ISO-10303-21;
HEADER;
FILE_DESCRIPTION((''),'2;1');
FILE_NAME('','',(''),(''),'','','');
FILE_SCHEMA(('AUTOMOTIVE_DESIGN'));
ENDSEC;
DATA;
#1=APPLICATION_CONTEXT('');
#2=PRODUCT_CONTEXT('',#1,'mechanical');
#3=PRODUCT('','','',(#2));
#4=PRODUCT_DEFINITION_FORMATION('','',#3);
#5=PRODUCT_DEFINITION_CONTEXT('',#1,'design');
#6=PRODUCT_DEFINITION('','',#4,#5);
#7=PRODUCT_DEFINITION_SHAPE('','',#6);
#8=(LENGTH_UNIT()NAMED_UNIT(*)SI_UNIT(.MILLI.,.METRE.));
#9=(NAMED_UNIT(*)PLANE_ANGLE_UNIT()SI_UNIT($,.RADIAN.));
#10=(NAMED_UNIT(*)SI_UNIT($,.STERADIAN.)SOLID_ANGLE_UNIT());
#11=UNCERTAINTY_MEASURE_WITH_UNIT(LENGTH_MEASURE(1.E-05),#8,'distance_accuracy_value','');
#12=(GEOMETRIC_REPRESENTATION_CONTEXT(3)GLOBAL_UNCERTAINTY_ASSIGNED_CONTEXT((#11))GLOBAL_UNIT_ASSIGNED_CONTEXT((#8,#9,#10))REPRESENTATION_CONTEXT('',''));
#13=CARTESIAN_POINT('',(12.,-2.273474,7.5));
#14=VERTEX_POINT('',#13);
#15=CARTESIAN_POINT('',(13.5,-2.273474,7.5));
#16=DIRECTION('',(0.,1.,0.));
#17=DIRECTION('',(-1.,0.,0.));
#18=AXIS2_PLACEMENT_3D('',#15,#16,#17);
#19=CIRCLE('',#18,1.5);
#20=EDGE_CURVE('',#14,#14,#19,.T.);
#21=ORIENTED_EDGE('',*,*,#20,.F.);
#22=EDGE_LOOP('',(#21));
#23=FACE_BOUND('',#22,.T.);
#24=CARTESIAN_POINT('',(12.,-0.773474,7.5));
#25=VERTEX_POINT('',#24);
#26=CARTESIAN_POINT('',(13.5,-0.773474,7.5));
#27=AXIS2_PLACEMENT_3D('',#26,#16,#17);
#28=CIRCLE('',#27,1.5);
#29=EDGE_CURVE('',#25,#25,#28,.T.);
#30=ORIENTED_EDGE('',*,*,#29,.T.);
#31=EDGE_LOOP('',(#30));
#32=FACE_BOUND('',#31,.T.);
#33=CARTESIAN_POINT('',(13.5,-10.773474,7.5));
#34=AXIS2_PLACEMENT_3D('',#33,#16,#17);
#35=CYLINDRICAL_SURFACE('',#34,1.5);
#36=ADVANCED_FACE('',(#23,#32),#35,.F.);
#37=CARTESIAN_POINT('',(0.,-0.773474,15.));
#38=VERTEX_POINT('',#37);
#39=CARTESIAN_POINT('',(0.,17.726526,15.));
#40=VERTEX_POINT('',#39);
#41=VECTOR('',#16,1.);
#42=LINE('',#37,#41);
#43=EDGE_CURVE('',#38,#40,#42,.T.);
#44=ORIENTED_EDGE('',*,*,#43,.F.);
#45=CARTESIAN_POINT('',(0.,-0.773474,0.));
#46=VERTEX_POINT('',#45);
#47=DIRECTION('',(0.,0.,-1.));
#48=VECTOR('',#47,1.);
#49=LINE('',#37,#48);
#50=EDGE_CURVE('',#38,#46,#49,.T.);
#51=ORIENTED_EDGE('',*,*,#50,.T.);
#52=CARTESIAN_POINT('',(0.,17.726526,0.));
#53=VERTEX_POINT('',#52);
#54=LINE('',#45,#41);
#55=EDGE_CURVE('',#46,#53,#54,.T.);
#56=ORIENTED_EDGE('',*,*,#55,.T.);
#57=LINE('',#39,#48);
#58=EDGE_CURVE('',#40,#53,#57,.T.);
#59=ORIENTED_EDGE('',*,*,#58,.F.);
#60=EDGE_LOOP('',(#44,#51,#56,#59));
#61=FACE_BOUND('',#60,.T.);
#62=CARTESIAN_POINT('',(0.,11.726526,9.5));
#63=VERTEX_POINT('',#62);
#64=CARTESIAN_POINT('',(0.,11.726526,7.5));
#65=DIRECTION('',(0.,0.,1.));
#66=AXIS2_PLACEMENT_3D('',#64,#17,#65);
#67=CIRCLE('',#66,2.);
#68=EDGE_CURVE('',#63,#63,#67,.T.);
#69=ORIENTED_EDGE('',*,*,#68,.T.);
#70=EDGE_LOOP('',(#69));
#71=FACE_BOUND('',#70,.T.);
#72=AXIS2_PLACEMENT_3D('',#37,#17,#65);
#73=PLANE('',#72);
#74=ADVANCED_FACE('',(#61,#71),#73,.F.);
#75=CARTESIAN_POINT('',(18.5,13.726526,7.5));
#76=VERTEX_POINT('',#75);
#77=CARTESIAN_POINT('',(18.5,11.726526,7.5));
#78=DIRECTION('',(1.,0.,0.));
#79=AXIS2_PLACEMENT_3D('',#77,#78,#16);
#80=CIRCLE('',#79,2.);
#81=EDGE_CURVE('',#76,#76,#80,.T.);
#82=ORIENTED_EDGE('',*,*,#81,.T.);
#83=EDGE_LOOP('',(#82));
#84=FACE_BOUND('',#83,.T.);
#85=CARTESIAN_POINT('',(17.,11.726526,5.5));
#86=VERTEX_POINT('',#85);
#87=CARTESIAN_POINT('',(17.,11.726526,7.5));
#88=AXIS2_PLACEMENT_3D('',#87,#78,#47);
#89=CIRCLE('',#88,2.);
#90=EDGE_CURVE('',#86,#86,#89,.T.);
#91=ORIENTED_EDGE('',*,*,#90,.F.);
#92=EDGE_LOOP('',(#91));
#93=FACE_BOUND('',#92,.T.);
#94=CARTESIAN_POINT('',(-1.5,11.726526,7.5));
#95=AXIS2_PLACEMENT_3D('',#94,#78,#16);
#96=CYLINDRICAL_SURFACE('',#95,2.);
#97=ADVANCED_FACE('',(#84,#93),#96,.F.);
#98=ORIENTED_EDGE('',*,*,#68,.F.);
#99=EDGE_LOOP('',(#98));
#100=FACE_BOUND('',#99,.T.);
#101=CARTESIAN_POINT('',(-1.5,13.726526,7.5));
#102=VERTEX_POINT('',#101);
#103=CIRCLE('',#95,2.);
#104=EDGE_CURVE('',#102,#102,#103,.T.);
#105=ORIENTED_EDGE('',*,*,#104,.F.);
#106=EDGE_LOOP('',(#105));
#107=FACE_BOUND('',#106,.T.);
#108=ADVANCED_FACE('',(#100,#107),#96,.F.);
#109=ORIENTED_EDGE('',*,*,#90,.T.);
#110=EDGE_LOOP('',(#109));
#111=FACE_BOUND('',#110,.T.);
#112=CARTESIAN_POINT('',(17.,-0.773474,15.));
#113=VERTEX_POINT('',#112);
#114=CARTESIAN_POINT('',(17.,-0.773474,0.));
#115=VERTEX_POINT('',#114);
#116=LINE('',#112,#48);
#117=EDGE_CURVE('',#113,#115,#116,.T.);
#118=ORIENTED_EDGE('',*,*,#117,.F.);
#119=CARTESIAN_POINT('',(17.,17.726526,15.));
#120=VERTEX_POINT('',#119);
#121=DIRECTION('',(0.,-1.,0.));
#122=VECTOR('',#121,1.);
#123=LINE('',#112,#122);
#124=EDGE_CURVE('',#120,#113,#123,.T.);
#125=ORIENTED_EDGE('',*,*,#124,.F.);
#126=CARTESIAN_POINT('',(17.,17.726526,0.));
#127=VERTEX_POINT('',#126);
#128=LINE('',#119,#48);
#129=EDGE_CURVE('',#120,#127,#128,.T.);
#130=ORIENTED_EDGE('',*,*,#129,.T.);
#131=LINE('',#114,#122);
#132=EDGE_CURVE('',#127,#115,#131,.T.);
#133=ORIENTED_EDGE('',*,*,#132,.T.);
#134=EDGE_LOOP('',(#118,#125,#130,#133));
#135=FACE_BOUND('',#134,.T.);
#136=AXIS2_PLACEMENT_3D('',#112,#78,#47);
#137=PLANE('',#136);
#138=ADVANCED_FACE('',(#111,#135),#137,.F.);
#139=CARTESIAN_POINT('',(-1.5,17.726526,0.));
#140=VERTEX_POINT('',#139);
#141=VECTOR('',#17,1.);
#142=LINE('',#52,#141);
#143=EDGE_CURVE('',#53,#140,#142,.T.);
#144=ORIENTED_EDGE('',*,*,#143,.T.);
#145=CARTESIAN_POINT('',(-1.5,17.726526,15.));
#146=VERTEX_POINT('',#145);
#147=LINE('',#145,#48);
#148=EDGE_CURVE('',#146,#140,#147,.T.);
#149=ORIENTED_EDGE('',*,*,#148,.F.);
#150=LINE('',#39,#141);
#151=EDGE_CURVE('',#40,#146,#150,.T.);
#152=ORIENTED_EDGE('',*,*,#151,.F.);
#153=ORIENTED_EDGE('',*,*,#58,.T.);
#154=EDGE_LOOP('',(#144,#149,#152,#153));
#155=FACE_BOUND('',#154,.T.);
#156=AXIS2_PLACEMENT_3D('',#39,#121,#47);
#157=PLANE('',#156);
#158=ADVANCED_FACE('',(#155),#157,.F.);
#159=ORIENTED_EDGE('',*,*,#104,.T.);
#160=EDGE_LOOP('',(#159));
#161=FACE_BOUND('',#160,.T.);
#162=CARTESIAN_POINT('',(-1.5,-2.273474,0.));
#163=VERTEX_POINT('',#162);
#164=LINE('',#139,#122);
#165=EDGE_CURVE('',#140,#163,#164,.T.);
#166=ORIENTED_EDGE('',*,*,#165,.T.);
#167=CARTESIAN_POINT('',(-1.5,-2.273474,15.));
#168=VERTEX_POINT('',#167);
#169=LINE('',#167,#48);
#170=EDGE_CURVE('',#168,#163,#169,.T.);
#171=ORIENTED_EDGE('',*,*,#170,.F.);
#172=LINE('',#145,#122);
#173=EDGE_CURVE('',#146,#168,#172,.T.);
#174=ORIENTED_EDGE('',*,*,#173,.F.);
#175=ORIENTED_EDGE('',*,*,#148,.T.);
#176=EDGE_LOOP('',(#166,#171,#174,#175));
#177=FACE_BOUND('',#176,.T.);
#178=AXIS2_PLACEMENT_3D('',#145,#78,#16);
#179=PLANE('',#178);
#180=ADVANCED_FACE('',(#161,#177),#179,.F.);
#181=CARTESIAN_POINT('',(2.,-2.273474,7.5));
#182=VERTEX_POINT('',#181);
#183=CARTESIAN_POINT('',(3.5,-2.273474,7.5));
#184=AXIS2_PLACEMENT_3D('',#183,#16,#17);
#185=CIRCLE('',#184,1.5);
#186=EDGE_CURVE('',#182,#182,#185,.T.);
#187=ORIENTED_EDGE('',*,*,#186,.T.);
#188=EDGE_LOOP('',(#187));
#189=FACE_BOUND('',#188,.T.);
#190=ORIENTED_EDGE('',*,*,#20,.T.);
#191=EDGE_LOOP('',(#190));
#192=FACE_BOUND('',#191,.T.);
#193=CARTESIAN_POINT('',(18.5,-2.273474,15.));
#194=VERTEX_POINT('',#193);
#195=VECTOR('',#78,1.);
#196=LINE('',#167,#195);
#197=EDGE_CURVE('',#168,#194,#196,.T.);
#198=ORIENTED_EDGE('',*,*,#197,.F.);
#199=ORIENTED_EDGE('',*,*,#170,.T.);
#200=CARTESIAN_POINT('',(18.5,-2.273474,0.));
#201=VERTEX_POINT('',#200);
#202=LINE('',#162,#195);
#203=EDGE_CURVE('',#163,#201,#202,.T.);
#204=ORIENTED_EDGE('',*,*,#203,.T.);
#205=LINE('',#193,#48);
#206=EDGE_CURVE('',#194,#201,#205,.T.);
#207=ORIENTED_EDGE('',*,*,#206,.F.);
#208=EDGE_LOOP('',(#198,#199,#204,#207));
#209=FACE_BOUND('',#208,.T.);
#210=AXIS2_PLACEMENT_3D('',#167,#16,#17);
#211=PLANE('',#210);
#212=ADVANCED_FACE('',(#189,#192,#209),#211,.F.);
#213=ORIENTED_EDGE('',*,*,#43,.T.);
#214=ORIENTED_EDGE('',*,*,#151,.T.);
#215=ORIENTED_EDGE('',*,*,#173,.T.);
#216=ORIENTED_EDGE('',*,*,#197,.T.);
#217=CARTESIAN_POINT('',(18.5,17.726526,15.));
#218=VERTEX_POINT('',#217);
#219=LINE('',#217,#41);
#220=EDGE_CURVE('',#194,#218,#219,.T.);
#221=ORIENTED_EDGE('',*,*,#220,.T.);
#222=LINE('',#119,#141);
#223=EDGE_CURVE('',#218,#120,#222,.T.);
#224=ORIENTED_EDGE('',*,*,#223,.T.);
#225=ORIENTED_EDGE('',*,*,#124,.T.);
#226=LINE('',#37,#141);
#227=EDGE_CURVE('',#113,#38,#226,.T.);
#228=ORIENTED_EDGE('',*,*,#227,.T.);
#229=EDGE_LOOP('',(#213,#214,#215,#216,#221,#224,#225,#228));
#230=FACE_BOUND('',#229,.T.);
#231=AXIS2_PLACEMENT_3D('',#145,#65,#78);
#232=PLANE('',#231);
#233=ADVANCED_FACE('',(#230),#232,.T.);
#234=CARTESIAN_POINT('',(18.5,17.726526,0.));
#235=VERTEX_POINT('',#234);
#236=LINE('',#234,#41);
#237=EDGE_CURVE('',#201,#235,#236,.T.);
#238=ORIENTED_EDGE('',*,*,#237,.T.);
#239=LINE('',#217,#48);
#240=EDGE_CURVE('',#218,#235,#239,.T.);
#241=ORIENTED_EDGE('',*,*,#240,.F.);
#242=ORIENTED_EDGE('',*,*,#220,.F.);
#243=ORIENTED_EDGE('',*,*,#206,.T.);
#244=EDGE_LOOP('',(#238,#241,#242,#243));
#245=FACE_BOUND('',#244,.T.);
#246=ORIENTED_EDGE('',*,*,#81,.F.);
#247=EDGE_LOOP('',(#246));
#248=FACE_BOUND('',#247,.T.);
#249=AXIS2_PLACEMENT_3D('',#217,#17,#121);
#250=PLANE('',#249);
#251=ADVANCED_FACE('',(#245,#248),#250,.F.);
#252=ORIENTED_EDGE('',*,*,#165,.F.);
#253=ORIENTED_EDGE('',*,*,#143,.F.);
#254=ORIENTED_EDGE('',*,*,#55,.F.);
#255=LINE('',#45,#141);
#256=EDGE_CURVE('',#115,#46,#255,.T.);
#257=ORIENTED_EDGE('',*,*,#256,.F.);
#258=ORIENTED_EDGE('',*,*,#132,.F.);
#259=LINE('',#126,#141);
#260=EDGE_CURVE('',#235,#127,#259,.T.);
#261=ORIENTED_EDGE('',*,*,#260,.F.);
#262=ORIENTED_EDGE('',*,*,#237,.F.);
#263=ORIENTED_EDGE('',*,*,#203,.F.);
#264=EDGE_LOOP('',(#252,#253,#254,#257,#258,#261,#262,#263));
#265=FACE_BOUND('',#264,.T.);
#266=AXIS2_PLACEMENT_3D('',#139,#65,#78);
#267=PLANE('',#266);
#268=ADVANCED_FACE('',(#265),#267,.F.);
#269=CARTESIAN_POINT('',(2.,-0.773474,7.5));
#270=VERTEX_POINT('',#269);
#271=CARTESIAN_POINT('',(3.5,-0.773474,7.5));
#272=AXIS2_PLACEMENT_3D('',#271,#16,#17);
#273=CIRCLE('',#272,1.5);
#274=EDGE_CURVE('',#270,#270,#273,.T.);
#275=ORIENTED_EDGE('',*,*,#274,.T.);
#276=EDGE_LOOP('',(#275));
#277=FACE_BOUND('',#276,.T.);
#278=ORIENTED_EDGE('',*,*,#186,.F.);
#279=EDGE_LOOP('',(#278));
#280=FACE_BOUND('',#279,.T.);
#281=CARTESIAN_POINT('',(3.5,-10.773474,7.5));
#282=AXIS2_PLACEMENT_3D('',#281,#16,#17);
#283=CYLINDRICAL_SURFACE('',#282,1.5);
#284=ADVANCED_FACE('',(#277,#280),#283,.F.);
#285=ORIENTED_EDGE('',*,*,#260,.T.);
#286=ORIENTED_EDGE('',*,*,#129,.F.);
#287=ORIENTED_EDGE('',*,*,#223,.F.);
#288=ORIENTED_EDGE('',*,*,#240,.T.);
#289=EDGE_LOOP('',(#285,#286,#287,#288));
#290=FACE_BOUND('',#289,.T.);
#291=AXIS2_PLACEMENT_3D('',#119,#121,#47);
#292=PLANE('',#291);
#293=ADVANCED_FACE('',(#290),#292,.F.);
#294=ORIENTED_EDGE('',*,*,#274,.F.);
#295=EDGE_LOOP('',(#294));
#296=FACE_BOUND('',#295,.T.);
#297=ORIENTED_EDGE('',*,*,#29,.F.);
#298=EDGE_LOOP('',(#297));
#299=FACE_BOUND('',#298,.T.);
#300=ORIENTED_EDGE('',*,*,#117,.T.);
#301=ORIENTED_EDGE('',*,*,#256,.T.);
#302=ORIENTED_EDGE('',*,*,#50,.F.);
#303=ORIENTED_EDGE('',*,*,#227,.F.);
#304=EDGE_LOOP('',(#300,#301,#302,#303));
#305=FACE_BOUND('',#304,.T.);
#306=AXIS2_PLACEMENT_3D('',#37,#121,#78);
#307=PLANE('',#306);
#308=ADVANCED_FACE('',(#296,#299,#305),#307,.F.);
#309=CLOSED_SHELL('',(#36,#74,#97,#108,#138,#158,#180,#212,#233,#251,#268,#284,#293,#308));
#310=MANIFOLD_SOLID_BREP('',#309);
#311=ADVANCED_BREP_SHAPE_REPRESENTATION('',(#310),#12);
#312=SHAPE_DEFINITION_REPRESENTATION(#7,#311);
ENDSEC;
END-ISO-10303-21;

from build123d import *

# Parameters (mm, degrees)
EXTRUSION1_DEPTH = 15
ESQUISSE3_R      = 2
EXTRUSION3_DEPTH = 31.646855226
ESQUISSE4_R      = 1.5
EXTRUSION4_DEPTH = 10


with BuildPart() as part:
    # Esquisse1 → Extrusion1 (new body)
    with BuildSketch(Plane.XY):
        Polygon((-1.5, 17.726526316), (-1.5, -2.273473684), (18.5, -2.273473684), (18.5, 17.726526316), (17, 17.726526316), (17, -0.773473684), (0, -0.773473684), (0, 17.726526316), align=None)
    extrude(amount=EXTRUSION1_DEPTH)

    # Esquisse3 → Extrusion3 (cut, through all)
    with BuildSketch(Plane(origin=(18.5, 0, 0), x_dir=(0, 0, -1), z_dir=(1, 0, 0))):
        with Locations(Location((-7.5, 11.726526316, 0), (0, 0, 90))):
            Circle(ESQUISSE3_R)
    extrude(amount=-EXTRUSION3_DEPTH, mode=Mode.SUBTRACT)

    # Esquisse4 → Extrusion4 (cut)
    with BuildSketch(Plane(origin=(0, -0.773473684, 0), x_dir=(1, 0, 0), z_dir=(0, 1, 0))):
        with Locations(Location((3.5, -7.5, 0), (0, 0, 180))):
            Circle(ESQUISSE4_R)
        with Locations(Location((13.5, -7.5, 0), (0, 0, 180))):
            Circle(ESQUISSE4_R)
    extrude(amount=-EXTRUSION4_DEPTH, mode=Mode.SUBTRACT)


solid = part.part
